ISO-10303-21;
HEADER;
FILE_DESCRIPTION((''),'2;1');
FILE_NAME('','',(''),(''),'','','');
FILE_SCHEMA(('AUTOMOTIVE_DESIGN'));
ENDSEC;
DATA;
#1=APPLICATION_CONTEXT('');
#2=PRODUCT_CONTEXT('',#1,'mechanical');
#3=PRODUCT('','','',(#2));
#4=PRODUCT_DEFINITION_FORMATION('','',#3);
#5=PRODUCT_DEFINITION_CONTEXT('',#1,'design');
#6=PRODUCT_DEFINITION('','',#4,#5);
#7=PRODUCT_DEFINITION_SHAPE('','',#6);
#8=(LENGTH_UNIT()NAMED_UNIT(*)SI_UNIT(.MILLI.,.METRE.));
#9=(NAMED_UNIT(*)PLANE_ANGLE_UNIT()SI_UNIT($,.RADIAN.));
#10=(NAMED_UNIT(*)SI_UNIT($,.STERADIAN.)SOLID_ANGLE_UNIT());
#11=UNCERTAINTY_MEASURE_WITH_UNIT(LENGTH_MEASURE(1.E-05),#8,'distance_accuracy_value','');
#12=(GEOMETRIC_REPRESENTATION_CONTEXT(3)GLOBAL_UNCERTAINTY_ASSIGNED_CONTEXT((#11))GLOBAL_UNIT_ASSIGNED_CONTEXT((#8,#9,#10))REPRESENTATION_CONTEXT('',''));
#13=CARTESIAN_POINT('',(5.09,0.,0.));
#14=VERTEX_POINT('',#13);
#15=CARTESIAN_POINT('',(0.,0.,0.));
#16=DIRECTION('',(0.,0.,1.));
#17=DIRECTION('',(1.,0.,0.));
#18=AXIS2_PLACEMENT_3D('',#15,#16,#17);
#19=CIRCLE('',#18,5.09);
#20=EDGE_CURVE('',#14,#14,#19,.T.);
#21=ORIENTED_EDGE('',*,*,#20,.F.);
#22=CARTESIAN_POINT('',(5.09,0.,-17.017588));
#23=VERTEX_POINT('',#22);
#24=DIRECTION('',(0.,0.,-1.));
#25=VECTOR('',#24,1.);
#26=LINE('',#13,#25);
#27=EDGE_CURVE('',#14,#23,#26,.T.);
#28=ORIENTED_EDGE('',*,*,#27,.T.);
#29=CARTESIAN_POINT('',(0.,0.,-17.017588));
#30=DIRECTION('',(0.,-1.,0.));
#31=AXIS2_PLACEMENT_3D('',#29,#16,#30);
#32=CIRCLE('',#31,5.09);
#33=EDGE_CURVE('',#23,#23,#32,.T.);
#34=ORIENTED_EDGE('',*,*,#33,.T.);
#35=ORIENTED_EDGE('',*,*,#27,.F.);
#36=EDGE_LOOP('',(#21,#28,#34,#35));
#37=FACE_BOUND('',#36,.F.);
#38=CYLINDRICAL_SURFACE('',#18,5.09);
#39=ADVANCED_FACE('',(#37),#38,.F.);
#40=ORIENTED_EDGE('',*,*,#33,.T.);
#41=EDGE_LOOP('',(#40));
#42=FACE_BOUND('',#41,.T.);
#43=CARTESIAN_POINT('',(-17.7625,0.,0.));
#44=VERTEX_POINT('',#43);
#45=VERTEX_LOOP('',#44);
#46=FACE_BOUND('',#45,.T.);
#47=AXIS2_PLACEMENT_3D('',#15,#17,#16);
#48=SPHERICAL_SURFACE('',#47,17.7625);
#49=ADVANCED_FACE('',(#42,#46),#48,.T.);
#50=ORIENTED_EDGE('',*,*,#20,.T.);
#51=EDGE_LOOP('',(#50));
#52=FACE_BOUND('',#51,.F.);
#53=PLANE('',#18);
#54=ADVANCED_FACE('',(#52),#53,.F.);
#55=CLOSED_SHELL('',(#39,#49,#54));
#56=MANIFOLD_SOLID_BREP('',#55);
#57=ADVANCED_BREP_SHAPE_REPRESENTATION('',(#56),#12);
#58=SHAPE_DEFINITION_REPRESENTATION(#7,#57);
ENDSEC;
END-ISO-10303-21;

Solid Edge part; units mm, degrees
sketch "Sketch1" plane through (0, 0, 0) normal (0, -1, 0) x (1, 0, 0)
  arc A0 (-17.7625, 0) -> (17.7625, 0) centre (0, 0) cw
  line L0 (-17.7625, 0) -> (17.7625, 0)
revolve "RevolvedProtrusion1" add sketch "Sketch1" angle 360 about axis through (-17.7625, 0, 0) along (1, 0, 0)
sketch "Sketch2" plane through (0, 0, 0) normal (0, 0, 1) x (1, 0, 0)
  circle A0 centre (0, 0) radius 5.09
extrude "Cutout1" cut sketch "Sketch2" against normal blind 39.6168
